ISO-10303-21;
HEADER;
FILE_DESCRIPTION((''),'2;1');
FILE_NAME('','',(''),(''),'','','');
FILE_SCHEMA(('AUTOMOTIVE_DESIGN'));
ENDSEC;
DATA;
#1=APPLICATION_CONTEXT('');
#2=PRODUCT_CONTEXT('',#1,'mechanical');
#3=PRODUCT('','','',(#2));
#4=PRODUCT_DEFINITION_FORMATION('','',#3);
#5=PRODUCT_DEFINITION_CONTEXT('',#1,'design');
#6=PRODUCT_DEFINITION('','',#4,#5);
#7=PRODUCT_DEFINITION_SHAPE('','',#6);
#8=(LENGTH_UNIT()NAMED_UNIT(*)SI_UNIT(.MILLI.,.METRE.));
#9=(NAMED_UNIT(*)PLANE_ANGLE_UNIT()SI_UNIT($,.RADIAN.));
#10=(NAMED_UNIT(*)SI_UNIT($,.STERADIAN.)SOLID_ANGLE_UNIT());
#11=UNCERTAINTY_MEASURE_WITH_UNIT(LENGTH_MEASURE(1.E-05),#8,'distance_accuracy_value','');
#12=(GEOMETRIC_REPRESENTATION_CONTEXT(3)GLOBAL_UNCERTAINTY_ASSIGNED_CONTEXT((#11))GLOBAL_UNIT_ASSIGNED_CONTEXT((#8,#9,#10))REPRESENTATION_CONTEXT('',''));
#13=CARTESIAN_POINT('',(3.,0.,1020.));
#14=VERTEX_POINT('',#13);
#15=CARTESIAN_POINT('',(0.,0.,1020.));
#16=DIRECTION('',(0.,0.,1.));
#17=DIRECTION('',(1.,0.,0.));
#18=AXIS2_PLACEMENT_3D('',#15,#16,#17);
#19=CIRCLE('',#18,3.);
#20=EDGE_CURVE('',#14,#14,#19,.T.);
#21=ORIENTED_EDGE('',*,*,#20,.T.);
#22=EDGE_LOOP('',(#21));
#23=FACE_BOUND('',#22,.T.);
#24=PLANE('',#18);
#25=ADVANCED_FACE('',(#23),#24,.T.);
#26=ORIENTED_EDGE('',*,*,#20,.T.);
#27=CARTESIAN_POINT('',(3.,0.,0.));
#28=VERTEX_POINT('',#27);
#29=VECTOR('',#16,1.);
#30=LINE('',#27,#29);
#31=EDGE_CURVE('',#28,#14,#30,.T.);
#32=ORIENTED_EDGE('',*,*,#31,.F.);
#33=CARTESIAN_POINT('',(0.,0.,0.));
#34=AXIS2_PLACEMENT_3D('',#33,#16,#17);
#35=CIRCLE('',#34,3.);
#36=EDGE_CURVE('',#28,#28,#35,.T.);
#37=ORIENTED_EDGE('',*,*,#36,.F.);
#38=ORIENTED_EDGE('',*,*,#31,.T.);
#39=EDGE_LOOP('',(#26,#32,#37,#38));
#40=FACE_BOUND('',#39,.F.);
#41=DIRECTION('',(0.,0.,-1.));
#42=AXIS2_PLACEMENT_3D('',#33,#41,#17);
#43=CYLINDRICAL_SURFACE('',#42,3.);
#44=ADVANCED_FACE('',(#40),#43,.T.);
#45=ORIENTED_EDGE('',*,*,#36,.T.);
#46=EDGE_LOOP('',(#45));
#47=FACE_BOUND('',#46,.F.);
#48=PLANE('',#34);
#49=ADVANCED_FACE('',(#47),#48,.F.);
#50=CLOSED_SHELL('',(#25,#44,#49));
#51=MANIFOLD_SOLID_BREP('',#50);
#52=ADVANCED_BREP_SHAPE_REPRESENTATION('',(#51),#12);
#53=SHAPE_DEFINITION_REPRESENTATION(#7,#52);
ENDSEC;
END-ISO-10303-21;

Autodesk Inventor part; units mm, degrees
ref_plane "YZ Plane" through (0, 0, 0) normal (1, 0, 0) x (0, 1, 0)
ref_plane "Work Plane1" through (2.1516, -2.5028, 640) normal (0, 0, 1) x (0.7481, -0.6636, 0)
ref_plane "Work Plane2" through (0.4379, 0.7784, 1020) normal (0, 0, 1) x (0.7481, -0.6636, 0)
sketch "Sketch1" plane through (0, 0, 0) normal (0, 0, 1) x (1, 0, 0)
  circle A0 centre (0, 0) radius 3
  dimension "d0" = 6
extrude "Extrusion1" add sketch "Sketch1" along normal up to surface (1020 mm away)
thread "Thread1" size "M6x1" class "6g" standard "ANSI Metric M Profile" full length
properties part number "M6SS" material "Steel"
